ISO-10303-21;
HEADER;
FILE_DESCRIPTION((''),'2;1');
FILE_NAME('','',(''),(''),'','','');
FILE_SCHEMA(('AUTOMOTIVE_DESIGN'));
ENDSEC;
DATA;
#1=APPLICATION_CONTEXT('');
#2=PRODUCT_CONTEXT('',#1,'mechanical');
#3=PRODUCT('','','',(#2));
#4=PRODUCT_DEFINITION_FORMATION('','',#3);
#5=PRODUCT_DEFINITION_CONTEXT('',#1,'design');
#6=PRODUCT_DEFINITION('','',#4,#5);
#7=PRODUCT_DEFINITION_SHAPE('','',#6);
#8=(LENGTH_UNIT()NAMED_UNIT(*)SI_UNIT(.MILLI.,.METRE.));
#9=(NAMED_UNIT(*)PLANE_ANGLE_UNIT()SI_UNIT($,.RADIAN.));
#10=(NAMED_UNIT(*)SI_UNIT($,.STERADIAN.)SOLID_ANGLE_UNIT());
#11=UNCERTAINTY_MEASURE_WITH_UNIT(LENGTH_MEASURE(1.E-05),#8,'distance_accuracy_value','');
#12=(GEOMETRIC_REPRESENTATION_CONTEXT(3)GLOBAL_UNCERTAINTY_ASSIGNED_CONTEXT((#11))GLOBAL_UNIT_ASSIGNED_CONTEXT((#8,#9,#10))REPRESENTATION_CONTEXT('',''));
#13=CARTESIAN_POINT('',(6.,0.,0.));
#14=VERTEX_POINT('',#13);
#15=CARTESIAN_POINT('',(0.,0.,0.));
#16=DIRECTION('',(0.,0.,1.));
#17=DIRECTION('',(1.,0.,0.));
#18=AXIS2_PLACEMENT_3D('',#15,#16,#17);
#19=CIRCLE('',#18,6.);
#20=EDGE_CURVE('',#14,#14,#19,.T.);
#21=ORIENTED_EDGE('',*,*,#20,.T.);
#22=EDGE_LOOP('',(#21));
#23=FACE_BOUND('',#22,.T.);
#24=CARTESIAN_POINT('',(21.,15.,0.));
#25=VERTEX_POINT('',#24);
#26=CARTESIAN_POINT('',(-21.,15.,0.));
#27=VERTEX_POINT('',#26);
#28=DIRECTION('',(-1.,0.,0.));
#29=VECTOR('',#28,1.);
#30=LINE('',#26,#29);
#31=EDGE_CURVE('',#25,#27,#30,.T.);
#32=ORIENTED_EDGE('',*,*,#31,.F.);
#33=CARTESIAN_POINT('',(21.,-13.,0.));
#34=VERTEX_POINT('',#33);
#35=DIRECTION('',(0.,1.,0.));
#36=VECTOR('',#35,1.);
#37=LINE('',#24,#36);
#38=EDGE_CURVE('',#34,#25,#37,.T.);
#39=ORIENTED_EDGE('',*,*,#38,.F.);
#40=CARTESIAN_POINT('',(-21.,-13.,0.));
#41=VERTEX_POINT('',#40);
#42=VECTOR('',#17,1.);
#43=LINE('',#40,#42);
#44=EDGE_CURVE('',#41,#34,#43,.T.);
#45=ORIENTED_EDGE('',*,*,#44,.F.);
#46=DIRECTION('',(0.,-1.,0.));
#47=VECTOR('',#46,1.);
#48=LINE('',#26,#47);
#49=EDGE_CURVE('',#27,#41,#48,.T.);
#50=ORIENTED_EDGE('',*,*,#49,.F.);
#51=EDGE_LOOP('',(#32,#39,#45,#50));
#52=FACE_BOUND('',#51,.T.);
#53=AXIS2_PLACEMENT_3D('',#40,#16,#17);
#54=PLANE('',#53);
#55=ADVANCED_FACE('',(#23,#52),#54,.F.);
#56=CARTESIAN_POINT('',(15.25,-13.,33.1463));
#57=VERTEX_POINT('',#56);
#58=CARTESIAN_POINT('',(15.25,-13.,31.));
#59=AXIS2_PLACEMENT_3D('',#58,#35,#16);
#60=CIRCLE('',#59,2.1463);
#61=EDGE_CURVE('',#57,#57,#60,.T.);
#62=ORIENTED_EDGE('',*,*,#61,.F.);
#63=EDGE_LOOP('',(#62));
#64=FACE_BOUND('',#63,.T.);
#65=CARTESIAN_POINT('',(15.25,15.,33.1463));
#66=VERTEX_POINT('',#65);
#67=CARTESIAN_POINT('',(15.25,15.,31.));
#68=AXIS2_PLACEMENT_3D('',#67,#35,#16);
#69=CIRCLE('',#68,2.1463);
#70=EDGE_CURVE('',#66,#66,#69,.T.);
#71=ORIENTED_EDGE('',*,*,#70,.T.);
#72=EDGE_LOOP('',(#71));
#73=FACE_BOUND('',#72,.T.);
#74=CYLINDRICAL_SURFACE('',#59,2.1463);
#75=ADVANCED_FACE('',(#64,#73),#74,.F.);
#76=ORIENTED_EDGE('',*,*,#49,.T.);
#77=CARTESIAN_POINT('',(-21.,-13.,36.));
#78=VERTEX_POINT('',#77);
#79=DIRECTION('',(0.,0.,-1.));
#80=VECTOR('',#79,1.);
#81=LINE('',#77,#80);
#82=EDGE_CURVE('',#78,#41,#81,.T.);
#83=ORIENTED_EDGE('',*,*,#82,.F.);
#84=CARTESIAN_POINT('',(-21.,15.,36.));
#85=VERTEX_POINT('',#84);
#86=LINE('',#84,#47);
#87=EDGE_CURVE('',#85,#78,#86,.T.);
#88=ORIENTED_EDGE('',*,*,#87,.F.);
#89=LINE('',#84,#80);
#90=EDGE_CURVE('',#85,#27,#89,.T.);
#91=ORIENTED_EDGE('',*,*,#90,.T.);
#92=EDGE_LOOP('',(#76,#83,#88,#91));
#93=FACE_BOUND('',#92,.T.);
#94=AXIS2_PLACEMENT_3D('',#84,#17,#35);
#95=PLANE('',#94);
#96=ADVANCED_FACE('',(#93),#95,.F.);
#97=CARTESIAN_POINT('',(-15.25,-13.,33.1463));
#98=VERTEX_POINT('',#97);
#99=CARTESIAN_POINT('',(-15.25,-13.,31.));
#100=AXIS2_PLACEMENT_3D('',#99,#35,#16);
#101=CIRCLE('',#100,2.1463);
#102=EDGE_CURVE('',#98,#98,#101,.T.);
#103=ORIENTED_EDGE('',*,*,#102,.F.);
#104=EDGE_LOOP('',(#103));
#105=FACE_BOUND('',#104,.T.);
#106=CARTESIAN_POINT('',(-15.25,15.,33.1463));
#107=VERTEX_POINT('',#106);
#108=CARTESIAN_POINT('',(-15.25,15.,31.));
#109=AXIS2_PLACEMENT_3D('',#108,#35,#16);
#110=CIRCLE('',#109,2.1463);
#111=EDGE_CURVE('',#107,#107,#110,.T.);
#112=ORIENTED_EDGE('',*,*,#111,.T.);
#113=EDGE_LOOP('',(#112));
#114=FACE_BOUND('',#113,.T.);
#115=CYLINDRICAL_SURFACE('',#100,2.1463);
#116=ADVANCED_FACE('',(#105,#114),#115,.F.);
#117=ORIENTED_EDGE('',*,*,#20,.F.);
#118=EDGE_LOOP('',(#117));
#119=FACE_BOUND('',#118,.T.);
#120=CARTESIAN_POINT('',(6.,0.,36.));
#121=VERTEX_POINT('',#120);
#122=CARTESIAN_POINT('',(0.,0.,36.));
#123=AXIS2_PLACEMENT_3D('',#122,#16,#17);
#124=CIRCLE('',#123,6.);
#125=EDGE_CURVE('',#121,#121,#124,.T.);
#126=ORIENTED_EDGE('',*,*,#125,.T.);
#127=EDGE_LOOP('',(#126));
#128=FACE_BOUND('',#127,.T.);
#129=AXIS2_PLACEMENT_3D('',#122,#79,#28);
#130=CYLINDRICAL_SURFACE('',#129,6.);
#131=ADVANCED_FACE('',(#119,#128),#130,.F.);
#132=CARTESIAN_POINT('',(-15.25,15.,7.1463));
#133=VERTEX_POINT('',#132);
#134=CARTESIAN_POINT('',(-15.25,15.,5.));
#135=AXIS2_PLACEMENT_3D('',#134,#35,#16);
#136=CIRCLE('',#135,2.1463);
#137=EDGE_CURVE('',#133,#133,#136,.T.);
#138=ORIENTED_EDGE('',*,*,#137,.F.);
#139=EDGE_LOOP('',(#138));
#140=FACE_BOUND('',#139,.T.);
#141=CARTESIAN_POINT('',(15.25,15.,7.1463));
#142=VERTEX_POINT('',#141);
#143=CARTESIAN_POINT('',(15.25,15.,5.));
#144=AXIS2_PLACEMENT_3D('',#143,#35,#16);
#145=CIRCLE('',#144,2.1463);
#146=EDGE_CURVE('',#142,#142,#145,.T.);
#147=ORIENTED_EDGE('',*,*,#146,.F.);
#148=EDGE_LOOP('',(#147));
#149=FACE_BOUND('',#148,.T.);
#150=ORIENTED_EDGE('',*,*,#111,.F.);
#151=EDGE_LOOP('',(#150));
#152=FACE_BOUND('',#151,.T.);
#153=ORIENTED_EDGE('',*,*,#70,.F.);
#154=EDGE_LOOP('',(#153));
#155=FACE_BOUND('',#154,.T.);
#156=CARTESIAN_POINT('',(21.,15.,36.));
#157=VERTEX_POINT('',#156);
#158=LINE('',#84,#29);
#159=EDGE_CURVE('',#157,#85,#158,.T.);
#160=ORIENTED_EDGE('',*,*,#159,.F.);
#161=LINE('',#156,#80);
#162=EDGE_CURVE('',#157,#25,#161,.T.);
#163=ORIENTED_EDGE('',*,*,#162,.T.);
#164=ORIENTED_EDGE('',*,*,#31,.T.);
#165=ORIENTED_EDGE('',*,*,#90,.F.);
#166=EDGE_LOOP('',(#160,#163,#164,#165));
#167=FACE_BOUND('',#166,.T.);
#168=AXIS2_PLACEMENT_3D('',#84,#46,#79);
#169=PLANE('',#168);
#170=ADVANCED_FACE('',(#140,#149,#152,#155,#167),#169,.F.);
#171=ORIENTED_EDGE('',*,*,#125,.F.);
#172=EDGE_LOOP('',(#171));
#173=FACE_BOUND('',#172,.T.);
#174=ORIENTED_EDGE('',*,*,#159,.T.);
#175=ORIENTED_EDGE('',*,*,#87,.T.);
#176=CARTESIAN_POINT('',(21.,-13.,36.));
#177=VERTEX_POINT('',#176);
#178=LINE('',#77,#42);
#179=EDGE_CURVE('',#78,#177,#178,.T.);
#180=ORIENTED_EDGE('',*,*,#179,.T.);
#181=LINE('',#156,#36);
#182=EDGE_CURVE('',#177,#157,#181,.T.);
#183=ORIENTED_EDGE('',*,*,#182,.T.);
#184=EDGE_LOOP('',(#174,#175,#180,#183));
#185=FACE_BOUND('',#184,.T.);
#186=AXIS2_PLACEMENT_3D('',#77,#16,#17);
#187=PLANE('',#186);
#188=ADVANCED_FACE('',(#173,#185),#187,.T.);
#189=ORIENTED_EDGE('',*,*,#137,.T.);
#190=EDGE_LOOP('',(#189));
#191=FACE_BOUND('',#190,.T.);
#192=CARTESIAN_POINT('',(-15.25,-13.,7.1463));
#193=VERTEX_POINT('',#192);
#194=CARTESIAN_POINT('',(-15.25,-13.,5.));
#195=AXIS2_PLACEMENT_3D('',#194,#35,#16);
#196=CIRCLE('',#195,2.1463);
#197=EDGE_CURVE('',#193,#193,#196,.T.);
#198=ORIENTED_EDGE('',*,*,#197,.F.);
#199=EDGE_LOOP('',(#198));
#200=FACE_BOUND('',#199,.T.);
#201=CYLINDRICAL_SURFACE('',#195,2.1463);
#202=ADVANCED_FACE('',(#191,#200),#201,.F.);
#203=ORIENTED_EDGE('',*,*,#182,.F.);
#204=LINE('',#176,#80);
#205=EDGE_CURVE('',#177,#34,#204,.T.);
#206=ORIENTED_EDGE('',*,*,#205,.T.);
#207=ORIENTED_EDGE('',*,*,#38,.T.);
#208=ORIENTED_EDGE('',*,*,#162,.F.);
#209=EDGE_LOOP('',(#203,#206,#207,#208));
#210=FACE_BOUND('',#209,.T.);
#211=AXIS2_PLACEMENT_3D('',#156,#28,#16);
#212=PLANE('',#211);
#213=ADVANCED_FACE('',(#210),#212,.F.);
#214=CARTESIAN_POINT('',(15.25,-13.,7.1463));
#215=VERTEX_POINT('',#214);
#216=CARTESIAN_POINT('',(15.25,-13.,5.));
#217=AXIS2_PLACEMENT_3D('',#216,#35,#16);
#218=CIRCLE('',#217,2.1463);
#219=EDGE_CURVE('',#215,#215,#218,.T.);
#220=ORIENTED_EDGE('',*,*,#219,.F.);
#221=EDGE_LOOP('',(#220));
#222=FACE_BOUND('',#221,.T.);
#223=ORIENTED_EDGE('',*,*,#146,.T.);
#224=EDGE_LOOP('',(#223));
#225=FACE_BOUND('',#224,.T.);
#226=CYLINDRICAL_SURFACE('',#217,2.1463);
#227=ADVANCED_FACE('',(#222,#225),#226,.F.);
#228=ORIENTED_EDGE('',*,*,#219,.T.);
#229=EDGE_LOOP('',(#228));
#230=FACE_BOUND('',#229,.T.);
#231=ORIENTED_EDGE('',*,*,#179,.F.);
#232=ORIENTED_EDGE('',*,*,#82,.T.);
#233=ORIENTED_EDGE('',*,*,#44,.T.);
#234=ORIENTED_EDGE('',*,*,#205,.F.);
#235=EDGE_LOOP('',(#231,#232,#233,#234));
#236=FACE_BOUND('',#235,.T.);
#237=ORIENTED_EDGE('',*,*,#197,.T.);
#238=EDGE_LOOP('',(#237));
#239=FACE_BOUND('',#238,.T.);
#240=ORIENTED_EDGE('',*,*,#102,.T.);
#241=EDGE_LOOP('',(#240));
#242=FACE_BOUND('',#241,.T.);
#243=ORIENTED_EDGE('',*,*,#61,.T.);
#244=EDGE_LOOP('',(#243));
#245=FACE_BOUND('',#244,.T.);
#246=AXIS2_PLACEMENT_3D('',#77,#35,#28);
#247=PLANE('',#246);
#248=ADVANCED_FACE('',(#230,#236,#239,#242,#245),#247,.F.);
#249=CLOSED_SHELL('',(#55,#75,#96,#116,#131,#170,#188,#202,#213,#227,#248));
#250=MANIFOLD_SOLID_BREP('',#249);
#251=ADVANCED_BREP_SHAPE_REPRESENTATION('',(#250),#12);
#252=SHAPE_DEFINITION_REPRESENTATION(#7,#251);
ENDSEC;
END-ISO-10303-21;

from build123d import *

# Parameters (mm, degrees)
SKETCH1_W           = 42
SKETCH1_H           = 28
SKETCH1_R           = 6
BOSS_EXTRUDE1_DEPTH = 36
SKETCH2_R           = 2.1463
CUT_EXTRUDE1_DEPTH  = 51.209560843


with BuildPart() as part:
    # Sketch1 → Boss-Extrude1 (new body)
    with BuildSketch(Plane.XY):
        with Locations((0, 1)):
            Rectangle(SKETCH1_W, SKETCH1_H)
        Circle(SKETCH1_R, mode=Mode.SUBTRACT)
    extrude(amount=BOSS_EXTRUDE1_DEPTH)

    # Sketch2 → Cut-Extrude1 (cut, through all)
    with BuildSketch(Plane(origin=(0, 15, 0), x_dir=(1, 0, 0), z_dir=(0, 1, 0))):
        with Locations(Location((-15.25, -5, 0), (0, 0, 270))):
            Circle(SKETCH2_R)
        with Locations(Location((15.25, -5, 0), (0, 0, 270))):
            Circle(SKETCH2_R)
        with Locations(Location((15.25, -31, 0), (0, 0, 270))):
            Circle(SKETCH2_R)
        with Locations(Location((-15.25, -31, 0), (0, 0, 270))):
            Circle(SKETCH2_R)
    extrude(amount=-CUT_EXTRUDE1_DEPTH, mode=Mode.SUBTRACT)


solid = part.part
